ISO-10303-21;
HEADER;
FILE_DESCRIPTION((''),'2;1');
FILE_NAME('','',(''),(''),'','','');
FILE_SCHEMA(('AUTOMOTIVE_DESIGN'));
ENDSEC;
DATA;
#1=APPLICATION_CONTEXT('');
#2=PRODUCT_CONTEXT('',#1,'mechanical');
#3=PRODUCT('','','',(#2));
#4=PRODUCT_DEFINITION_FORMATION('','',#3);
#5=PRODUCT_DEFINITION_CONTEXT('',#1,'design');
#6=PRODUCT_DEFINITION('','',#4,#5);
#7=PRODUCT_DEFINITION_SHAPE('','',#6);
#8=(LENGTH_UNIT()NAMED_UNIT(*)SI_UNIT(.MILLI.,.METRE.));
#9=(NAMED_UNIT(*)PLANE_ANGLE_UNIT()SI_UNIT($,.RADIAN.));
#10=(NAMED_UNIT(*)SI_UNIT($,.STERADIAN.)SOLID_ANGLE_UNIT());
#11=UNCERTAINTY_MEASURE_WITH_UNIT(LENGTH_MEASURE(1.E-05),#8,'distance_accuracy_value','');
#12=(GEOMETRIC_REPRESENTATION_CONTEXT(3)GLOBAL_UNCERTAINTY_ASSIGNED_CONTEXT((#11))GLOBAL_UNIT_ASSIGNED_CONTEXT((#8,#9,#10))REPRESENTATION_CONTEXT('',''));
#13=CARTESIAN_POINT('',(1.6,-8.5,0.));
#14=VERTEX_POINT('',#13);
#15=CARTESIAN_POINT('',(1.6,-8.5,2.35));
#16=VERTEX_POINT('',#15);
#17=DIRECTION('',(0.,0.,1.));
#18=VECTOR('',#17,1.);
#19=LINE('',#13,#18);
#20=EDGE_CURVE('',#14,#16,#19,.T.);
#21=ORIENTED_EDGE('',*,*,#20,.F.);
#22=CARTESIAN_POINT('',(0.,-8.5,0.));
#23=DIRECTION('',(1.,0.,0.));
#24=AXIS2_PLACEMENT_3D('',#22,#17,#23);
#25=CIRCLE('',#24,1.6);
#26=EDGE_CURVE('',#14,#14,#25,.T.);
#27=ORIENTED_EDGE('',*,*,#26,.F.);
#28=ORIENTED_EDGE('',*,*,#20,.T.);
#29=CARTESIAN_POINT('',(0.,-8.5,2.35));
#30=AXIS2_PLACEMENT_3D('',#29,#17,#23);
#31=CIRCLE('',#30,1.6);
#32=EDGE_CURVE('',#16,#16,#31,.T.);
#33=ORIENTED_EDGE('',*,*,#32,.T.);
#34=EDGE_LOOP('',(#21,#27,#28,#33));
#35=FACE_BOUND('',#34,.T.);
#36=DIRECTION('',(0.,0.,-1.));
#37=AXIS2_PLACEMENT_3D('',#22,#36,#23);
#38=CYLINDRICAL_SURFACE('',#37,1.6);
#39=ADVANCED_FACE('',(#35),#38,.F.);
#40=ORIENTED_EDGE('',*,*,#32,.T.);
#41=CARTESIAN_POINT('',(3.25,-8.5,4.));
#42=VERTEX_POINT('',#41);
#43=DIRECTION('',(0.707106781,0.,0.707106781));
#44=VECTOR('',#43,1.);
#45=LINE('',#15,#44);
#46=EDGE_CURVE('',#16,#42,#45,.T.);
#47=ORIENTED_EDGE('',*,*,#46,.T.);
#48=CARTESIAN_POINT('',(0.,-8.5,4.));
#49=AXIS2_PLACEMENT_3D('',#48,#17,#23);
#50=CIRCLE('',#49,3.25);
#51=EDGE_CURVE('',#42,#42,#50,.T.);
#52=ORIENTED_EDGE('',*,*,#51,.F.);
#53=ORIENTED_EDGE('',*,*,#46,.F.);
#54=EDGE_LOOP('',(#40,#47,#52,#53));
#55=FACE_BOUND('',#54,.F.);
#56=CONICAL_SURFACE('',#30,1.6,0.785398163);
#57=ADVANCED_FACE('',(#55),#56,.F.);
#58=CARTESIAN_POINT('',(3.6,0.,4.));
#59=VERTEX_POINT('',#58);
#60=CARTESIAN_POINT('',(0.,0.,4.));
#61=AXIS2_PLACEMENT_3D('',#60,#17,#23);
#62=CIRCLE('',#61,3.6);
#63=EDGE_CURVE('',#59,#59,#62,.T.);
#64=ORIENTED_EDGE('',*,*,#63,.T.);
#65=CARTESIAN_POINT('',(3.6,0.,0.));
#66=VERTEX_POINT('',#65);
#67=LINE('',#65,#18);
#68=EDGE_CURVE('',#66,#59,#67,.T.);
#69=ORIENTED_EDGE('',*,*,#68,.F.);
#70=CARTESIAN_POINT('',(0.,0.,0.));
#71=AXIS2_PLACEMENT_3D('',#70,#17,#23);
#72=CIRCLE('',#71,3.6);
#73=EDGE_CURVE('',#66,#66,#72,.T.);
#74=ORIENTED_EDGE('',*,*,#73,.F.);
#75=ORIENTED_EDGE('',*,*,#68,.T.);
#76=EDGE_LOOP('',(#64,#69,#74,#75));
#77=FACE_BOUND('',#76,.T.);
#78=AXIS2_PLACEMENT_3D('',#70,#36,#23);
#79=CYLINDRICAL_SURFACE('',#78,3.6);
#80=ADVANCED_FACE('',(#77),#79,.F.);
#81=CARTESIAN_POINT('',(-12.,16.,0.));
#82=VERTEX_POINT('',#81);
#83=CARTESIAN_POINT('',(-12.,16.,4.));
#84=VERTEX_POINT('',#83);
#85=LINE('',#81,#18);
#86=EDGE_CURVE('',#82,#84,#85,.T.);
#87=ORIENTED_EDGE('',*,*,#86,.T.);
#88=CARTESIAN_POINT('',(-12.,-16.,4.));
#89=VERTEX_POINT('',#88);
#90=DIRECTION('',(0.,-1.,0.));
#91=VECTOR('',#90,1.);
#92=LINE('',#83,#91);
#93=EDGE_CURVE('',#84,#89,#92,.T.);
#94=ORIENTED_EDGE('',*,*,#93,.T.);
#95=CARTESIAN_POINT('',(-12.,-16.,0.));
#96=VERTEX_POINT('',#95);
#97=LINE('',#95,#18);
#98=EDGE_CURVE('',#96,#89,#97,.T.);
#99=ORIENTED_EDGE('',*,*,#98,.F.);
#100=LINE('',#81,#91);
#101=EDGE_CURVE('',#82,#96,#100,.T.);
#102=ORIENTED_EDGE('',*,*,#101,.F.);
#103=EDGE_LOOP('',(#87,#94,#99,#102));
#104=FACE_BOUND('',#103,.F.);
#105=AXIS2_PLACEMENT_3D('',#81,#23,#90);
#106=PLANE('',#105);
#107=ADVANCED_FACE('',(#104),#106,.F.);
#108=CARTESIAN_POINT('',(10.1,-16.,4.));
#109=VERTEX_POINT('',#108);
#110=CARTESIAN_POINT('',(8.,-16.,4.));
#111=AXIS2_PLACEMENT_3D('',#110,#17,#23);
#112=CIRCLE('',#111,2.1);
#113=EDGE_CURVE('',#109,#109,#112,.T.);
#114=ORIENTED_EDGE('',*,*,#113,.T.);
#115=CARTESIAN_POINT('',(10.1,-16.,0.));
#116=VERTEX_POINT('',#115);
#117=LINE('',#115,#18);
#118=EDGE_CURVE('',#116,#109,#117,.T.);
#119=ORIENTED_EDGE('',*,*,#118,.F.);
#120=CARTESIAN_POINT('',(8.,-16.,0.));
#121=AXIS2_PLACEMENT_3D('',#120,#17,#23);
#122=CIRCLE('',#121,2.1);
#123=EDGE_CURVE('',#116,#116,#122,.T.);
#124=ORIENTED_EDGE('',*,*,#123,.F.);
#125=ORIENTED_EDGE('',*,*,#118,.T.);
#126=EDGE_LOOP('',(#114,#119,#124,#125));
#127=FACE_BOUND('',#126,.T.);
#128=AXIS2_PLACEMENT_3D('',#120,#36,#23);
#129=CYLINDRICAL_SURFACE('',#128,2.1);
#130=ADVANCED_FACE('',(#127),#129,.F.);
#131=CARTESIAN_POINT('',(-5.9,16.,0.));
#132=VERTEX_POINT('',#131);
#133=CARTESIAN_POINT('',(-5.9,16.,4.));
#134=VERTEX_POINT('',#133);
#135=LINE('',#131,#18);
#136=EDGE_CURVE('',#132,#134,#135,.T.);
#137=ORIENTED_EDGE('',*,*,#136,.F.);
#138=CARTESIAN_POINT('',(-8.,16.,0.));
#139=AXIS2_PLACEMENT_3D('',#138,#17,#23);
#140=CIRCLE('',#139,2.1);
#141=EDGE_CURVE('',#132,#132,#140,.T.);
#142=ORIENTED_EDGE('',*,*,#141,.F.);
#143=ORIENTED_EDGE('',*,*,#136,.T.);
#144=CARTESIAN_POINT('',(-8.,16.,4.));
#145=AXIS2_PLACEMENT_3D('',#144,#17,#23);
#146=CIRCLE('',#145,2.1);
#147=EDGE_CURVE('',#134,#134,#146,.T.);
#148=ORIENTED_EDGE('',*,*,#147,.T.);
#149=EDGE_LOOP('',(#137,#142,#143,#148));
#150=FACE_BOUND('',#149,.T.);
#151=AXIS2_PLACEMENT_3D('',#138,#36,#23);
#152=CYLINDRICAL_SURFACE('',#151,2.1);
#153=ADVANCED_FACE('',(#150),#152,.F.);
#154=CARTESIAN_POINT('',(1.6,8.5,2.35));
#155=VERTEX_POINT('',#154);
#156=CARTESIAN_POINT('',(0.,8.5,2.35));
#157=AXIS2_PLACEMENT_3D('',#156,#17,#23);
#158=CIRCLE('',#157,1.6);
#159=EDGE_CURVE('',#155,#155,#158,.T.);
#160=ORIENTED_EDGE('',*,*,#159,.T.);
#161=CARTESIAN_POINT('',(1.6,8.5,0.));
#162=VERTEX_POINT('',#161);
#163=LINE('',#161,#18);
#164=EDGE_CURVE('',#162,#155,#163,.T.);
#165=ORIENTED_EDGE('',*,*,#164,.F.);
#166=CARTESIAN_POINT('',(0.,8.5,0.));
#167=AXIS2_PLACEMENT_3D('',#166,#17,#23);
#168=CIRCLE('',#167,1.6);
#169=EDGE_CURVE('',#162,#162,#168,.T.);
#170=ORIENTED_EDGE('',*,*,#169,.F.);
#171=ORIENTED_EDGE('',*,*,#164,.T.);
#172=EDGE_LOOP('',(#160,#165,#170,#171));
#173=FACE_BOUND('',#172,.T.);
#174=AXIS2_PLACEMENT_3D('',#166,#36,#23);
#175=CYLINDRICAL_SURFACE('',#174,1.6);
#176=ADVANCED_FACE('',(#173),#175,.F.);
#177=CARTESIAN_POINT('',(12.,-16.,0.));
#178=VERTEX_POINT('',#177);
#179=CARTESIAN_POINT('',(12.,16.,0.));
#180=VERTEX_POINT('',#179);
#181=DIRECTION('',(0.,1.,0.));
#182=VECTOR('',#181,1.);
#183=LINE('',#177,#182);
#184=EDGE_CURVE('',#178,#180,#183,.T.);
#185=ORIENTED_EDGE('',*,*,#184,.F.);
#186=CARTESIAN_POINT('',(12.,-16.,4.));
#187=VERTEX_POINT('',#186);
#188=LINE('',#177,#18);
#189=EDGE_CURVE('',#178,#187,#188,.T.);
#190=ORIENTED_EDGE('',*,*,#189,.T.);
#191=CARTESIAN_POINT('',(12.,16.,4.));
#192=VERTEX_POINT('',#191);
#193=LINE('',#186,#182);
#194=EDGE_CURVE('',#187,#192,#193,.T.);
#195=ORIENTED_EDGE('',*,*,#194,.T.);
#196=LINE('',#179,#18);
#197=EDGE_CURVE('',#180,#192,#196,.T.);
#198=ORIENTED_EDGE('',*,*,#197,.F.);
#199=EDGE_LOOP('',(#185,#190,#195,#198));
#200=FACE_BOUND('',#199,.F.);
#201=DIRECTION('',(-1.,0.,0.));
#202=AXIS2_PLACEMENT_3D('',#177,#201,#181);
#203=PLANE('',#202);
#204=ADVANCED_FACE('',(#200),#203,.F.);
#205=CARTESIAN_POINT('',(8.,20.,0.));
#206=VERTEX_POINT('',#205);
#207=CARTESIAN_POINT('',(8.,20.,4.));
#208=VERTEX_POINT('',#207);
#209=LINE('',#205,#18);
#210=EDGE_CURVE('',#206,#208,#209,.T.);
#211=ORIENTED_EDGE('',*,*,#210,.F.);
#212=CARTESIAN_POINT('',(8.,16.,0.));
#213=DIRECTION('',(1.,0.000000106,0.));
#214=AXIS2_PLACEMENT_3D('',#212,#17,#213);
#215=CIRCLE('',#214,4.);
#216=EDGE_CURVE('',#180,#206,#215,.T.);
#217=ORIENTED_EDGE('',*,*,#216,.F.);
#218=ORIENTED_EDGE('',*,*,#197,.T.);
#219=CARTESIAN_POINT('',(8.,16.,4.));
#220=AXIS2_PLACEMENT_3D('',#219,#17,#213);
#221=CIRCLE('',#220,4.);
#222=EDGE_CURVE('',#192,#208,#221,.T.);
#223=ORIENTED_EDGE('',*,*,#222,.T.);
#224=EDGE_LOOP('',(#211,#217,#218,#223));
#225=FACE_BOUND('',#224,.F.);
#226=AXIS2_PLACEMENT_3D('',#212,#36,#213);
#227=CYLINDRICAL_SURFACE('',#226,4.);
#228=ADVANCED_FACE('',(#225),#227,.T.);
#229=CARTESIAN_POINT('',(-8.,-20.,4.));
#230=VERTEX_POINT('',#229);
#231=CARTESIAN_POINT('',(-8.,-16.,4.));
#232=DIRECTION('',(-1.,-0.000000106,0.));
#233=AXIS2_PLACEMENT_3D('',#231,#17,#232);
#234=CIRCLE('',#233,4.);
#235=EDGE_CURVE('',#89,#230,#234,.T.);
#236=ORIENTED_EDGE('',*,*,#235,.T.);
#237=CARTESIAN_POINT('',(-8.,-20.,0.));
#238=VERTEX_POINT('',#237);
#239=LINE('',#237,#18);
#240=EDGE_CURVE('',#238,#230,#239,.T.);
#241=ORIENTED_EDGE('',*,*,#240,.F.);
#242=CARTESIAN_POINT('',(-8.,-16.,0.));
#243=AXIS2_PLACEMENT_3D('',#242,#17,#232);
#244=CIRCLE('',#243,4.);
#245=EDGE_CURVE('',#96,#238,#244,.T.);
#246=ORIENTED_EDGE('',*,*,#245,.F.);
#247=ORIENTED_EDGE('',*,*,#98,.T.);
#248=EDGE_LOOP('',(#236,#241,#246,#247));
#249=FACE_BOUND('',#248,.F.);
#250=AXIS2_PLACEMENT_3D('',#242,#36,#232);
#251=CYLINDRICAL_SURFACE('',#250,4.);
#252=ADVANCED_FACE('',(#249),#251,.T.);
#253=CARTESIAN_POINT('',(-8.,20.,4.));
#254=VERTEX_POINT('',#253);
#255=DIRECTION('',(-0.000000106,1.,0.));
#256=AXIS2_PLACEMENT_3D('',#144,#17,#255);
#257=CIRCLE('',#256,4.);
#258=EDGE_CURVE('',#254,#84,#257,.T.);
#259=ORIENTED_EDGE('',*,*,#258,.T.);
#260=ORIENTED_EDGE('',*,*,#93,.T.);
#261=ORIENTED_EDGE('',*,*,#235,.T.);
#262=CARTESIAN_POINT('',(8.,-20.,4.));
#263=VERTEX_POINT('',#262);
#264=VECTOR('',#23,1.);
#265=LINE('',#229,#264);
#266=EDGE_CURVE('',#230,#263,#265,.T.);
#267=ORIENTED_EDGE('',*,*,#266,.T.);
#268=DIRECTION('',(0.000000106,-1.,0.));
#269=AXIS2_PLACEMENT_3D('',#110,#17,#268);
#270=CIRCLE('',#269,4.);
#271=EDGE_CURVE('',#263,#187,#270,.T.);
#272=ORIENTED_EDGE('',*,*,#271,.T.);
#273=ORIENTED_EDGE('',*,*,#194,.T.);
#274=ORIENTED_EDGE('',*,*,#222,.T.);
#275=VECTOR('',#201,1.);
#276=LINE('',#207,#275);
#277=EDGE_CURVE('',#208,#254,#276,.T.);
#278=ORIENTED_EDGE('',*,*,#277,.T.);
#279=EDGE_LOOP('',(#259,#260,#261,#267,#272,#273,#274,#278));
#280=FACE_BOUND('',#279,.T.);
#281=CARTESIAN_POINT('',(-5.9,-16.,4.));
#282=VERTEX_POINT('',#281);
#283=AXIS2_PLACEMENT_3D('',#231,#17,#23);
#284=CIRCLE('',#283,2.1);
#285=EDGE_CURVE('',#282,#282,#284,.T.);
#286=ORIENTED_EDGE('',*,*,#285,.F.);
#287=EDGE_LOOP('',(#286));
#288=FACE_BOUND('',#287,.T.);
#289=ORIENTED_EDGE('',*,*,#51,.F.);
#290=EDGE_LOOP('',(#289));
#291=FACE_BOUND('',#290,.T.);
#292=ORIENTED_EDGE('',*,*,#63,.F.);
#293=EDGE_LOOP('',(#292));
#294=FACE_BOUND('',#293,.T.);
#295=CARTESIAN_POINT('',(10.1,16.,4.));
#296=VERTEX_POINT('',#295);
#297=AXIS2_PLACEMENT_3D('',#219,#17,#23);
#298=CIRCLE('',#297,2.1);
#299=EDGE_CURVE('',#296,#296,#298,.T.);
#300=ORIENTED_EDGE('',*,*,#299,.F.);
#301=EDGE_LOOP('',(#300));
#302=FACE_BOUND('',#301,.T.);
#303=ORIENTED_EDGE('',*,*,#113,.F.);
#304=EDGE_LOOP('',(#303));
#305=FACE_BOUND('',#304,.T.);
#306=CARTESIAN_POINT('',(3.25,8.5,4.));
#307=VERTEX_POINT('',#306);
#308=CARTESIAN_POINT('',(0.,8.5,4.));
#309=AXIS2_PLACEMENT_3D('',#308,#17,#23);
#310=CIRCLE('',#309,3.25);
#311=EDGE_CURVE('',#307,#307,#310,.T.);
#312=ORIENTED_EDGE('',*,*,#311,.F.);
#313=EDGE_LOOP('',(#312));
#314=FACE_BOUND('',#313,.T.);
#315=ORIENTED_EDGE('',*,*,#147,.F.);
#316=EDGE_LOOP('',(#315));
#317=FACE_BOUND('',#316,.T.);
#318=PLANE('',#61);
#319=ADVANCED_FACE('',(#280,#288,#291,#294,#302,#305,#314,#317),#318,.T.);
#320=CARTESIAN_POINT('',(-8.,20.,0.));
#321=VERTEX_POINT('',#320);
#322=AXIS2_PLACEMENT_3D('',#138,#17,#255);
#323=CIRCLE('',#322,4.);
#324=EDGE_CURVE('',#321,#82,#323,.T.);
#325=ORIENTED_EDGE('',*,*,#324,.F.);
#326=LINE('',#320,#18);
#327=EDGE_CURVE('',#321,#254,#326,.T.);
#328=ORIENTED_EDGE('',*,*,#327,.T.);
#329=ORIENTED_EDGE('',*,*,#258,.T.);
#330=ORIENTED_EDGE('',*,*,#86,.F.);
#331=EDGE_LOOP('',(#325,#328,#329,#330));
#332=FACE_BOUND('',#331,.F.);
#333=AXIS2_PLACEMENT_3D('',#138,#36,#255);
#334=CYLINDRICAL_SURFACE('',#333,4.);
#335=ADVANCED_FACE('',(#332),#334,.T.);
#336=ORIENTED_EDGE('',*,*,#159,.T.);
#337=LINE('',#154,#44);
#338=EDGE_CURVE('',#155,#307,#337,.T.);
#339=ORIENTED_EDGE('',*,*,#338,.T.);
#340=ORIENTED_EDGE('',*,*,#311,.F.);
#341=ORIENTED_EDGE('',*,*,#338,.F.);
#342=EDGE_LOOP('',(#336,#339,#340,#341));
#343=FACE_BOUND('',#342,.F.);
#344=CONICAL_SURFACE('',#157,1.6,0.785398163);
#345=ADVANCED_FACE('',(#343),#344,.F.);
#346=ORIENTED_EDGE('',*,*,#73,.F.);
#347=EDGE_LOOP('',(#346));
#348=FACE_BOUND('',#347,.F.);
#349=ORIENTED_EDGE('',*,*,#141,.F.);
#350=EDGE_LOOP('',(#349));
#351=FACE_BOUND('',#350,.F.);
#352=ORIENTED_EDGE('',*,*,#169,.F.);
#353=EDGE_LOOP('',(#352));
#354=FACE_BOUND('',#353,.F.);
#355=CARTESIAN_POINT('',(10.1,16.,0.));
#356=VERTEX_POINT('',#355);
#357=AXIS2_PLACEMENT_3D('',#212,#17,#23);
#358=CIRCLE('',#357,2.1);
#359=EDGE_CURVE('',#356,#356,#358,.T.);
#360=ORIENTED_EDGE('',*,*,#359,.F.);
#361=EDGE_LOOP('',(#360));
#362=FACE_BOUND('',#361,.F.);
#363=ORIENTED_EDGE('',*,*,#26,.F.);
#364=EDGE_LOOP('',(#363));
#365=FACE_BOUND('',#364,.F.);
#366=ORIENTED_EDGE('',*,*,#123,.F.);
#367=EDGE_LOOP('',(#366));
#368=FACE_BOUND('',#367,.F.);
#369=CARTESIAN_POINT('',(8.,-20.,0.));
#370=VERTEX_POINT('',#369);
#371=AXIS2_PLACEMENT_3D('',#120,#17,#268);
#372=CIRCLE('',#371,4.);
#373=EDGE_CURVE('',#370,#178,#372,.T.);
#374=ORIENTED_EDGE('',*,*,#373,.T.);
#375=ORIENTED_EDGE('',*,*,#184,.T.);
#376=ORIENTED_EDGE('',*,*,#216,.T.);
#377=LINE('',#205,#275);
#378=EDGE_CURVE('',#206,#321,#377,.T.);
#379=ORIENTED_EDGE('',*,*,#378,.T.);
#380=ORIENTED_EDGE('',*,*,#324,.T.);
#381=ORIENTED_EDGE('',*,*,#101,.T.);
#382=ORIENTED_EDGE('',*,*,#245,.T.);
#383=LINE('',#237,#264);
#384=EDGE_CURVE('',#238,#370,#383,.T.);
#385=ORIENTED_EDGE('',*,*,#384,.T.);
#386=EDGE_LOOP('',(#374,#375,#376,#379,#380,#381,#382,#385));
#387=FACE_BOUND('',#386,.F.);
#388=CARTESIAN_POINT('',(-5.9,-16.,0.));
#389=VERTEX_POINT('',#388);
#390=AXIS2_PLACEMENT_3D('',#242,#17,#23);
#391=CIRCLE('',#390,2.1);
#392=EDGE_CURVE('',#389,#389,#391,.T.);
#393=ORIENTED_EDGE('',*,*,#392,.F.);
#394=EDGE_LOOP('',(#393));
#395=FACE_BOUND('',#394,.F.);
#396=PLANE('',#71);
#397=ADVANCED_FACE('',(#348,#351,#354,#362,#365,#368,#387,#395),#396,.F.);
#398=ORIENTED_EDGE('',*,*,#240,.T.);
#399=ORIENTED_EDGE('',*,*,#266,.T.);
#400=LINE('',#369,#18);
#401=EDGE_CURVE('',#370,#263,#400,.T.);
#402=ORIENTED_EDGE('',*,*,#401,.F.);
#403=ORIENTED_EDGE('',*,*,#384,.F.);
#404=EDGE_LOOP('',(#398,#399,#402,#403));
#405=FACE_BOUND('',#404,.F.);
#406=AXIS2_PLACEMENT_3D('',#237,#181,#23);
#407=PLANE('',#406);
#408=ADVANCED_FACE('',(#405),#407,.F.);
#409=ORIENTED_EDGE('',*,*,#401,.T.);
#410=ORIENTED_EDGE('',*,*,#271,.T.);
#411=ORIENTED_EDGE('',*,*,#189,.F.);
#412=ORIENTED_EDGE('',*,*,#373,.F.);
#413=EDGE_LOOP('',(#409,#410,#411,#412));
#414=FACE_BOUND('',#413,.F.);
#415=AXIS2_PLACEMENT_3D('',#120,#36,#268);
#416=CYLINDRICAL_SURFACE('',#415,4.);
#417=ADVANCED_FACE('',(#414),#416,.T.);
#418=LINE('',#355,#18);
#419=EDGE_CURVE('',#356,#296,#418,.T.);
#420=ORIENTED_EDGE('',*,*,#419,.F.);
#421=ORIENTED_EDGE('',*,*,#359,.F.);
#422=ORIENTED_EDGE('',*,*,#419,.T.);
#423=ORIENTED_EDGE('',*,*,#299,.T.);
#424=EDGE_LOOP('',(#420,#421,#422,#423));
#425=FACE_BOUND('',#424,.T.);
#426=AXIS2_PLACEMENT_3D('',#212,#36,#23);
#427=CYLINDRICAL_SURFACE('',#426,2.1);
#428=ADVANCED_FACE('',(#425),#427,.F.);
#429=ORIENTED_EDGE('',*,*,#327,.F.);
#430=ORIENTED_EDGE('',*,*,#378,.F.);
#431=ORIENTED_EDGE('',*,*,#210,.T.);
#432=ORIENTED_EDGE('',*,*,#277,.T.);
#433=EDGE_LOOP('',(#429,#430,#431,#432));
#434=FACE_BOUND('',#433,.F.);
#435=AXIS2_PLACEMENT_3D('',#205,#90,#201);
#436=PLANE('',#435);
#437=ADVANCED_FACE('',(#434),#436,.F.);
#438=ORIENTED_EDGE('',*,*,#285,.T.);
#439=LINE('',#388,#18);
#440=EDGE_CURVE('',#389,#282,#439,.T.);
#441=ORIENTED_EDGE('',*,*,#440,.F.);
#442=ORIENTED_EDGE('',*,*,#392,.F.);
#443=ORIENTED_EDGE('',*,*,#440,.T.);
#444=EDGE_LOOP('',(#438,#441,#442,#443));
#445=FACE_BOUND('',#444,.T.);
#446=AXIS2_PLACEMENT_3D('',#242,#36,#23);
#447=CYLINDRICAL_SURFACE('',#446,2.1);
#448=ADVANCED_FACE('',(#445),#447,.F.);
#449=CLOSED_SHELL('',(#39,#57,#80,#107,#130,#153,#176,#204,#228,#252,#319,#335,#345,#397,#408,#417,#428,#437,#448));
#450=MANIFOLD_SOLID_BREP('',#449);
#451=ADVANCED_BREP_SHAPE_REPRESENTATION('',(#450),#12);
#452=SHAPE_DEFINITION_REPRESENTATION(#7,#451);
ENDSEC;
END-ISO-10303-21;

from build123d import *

# Parameters (mm, degrees)
F0_R     = 2.1
F0_R_2   = 1.6
F0_R_3   = 3.6
F1_DEPTH = 4
F2_SIZE2 = 1.65
F2_SIZE  = 1.65


with BuildPart() as f1:
    # F0 (on Top) → F1 (new body)
    with BuildSketch(Plane.XY):
        with BuildLine():
            ThreePointArc((12, 16), (10.828427, 18.828427), (8, 20))
            Line((8, 20), (-8, 20))
            ThreePointArc((-8, 20), (-10.828427, 18.828427), (-12, 16))
            Line((-12, 16), (-12, -16))
            ThreePointArc((-12, -16), (-10.828427, -18.828427), (-8, -20))
            Line((-8, -20), (8, -20))
            ThreePointArc((8, -20), (10.828427, -18.828427), (12, -16))
            Line((12, -16), (12, 16))
        make_face()
        with Locations((-8, -16)):
            Circle(F0_R, mode=Mode.SUBTRACT)
        with Locations((8, -16)):
            Circle(F0_R, mode=Mode.SUBTRACT)
        with Locations((0, -8.5)):
            Circle(F0_R_2, mode=Mode.SUBTRACT)
        with Locations((-8, 16)):
            Circle(F0_R, mode=Mode.SUBTRACT)
        Circle(F0_R_3, mode=Mode.SUBTRACT)
        with Locations((0, 8.5)):
            Circle(F0_R_2, mode=Mode.SUBTRACT)
        with Locations((8, 16)):
            Circle(F0_R, mode=Mode.SUBTRACT)
    extrude(amount=F1_DEPTH)

    # F2
    f2_edges = [f1.edges().sort_by_distance(p)[0] for p in [
        (-1.6, 8.5, 4),
        (-1.6, -8.5, 4),
    ]]
    chamfer(f2_edges, length=F2_SIZE, length2=F2_SIZE2)


solid = f1.part
